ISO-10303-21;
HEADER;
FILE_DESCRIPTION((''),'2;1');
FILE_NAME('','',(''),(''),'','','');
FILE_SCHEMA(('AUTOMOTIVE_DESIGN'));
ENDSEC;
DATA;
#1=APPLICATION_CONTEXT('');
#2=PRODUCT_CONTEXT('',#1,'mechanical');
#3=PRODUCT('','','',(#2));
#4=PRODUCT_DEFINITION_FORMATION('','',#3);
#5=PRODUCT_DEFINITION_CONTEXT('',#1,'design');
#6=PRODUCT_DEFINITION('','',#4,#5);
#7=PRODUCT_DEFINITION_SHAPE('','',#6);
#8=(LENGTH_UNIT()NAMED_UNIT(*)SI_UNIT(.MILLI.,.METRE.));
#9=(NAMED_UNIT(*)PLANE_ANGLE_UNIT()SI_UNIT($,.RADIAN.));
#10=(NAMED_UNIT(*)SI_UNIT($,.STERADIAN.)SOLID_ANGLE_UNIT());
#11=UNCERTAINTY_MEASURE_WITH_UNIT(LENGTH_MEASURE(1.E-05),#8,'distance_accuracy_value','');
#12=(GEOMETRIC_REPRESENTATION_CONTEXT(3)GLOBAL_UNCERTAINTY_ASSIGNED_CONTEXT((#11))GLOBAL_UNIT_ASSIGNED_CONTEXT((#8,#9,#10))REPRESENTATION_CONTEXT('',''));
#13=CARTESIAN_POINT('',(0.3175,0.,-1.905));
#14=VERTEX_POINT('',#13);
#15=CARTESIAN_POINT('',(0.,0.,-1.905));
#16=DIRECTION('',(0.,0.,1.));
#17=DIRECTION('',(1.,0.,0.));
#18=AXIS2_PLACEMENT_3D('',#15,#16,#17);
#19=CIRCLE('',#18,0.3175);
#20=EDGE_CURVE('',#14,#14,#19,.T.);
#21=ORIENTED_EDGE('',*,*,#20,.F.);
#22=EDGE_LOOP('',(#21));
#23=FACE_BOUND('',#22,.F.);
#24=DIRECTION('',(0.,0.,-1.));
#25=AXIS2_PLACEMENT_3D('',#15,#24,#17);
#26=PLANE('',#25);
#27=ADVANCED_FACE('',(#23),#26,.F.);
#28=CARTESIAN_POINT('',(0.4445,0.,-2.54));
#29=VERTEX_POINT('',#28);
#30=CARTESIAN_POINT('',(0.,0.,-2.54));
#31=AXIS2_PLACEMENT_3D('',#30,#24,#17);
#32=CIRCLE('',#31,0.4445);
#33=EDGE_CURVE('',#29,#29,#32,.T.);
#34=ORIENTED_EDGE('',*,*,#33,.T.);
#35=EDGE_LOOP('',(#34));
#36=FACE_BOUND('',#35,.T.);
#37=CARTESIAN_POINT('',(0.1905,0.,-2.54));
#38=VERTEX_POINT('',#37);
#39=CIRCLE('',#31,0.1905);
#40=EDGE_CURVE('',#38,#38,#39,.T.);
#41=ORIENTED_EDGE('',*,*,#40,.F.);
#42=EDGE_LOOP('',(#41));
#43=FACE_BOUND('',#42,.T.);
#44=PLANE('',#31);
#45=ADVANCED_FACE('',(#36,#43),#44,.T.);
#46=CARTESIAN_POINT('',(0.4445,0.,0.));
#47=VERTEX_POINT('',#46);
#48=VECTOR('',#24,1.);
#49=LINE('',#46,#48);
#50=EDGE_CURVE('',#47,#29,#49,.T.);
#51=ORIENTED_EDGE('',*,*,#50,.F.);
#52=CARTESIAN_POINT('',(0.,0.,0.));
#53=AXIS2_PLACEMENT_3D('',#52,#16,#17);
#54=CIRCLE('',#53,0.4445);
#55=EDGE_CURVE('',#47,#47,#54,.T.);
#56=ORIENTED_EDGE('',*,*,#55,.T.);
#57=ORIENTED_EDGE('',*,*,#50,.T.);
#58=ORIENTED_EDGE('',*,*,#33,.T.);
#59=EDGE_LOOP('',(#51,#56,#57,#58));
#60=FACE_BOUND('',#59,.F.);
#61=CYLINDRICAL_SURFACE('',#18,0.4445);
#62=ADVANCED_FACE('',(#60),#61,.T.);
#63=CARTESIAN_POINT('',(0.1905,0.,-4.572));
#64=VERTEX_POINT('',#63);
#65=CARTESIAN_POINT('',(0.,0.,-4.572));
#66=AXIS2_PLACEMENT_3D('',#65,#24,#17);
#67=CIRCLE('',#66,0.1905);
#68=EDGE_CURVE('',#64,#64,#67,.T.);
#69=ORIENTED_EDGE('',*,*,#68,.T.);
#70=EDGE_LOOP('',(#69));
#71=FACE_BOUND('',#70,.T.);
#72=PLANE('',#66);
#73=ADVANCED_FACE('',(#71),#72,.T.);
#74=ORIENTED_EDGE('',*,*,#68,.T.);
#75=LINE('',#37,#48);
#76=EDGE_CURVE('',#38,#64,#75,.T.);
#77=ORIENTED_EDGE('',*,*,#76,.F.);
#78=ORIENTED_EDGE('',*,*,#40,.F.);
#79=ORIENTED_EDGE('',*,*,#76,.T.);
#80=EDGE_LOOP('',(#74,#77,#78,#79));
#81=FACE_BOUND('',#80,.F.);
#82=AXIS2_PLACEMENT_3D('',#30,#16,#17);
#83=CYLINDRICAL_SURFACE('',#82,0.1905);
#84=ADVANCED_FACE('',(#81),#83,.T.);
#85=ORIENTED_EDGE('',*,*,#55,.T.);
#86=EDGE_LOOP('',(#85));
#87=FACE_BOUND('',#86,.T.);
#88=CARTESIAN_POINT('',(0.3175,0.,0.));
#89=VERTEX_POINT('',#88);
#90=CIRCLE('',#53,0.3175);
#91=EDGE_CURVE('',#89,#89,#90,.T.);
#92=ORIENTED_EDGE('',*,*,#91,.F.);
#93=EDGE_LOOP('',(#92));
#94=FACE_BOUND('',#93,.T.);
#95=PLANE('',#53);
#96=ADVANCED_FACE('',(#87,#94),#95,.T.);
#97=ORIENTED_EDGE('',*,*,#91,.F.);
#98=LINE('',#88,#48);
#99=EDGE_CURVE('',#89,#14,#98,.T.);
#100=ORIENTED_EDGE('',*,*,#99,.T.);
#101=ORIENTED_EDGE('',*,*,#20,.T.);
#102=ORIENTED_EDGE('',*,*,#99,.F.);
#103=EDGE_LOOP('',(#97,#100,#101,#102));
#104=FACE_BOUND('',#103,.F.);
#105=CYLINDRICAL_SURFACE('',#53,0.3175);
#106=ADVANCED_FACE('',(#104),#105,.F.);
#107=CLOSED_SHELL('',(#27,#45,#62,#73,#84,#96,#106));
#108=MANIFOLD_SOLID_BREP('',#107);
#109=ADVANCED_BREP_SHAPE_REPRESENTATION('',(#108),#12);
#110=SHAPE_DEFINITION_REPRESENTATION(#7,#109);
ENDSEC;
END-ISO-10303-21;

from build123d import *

# Parameters (mm, degrees)
F0_R     = 0.4445
F0_R_2   = 0.3175
F1_DEPTH = 1.905
F2_R     = 0.4445
F3_DEPTH = 0.635
F4_R     = 0.1905
F5_DEPTH = 2.032


with BuildPart() as f1:
    # F0 (on Top) → F1 (new body)
    with BuildSketch(Plane.XY):
        Circle(F0_R)
        Circle(F0_R_2, mode=Mode.SUBTRACT)
    extrude(amount=-F1_DEPTH)

    # F2 (on face) → F3 (join)
    with BuildSketch(Plane(origin=(0, 0, -1.905), x_dir=(1, 0, 0), z_dir=(0, 0, -1))):
        Circle(F2_R)
    extrude(amount=F3_DEPTH)

    # F4 (on face) → F5 (join)
    with BuildSketch(Plane(origin=(0, 0, -2.54), x_dir=(1, 0, 0), z_dir=(0, 0, -1))):
        Circle(F4_R)
    extrude(amount=F5_DEPTH)


solid = f1.part
